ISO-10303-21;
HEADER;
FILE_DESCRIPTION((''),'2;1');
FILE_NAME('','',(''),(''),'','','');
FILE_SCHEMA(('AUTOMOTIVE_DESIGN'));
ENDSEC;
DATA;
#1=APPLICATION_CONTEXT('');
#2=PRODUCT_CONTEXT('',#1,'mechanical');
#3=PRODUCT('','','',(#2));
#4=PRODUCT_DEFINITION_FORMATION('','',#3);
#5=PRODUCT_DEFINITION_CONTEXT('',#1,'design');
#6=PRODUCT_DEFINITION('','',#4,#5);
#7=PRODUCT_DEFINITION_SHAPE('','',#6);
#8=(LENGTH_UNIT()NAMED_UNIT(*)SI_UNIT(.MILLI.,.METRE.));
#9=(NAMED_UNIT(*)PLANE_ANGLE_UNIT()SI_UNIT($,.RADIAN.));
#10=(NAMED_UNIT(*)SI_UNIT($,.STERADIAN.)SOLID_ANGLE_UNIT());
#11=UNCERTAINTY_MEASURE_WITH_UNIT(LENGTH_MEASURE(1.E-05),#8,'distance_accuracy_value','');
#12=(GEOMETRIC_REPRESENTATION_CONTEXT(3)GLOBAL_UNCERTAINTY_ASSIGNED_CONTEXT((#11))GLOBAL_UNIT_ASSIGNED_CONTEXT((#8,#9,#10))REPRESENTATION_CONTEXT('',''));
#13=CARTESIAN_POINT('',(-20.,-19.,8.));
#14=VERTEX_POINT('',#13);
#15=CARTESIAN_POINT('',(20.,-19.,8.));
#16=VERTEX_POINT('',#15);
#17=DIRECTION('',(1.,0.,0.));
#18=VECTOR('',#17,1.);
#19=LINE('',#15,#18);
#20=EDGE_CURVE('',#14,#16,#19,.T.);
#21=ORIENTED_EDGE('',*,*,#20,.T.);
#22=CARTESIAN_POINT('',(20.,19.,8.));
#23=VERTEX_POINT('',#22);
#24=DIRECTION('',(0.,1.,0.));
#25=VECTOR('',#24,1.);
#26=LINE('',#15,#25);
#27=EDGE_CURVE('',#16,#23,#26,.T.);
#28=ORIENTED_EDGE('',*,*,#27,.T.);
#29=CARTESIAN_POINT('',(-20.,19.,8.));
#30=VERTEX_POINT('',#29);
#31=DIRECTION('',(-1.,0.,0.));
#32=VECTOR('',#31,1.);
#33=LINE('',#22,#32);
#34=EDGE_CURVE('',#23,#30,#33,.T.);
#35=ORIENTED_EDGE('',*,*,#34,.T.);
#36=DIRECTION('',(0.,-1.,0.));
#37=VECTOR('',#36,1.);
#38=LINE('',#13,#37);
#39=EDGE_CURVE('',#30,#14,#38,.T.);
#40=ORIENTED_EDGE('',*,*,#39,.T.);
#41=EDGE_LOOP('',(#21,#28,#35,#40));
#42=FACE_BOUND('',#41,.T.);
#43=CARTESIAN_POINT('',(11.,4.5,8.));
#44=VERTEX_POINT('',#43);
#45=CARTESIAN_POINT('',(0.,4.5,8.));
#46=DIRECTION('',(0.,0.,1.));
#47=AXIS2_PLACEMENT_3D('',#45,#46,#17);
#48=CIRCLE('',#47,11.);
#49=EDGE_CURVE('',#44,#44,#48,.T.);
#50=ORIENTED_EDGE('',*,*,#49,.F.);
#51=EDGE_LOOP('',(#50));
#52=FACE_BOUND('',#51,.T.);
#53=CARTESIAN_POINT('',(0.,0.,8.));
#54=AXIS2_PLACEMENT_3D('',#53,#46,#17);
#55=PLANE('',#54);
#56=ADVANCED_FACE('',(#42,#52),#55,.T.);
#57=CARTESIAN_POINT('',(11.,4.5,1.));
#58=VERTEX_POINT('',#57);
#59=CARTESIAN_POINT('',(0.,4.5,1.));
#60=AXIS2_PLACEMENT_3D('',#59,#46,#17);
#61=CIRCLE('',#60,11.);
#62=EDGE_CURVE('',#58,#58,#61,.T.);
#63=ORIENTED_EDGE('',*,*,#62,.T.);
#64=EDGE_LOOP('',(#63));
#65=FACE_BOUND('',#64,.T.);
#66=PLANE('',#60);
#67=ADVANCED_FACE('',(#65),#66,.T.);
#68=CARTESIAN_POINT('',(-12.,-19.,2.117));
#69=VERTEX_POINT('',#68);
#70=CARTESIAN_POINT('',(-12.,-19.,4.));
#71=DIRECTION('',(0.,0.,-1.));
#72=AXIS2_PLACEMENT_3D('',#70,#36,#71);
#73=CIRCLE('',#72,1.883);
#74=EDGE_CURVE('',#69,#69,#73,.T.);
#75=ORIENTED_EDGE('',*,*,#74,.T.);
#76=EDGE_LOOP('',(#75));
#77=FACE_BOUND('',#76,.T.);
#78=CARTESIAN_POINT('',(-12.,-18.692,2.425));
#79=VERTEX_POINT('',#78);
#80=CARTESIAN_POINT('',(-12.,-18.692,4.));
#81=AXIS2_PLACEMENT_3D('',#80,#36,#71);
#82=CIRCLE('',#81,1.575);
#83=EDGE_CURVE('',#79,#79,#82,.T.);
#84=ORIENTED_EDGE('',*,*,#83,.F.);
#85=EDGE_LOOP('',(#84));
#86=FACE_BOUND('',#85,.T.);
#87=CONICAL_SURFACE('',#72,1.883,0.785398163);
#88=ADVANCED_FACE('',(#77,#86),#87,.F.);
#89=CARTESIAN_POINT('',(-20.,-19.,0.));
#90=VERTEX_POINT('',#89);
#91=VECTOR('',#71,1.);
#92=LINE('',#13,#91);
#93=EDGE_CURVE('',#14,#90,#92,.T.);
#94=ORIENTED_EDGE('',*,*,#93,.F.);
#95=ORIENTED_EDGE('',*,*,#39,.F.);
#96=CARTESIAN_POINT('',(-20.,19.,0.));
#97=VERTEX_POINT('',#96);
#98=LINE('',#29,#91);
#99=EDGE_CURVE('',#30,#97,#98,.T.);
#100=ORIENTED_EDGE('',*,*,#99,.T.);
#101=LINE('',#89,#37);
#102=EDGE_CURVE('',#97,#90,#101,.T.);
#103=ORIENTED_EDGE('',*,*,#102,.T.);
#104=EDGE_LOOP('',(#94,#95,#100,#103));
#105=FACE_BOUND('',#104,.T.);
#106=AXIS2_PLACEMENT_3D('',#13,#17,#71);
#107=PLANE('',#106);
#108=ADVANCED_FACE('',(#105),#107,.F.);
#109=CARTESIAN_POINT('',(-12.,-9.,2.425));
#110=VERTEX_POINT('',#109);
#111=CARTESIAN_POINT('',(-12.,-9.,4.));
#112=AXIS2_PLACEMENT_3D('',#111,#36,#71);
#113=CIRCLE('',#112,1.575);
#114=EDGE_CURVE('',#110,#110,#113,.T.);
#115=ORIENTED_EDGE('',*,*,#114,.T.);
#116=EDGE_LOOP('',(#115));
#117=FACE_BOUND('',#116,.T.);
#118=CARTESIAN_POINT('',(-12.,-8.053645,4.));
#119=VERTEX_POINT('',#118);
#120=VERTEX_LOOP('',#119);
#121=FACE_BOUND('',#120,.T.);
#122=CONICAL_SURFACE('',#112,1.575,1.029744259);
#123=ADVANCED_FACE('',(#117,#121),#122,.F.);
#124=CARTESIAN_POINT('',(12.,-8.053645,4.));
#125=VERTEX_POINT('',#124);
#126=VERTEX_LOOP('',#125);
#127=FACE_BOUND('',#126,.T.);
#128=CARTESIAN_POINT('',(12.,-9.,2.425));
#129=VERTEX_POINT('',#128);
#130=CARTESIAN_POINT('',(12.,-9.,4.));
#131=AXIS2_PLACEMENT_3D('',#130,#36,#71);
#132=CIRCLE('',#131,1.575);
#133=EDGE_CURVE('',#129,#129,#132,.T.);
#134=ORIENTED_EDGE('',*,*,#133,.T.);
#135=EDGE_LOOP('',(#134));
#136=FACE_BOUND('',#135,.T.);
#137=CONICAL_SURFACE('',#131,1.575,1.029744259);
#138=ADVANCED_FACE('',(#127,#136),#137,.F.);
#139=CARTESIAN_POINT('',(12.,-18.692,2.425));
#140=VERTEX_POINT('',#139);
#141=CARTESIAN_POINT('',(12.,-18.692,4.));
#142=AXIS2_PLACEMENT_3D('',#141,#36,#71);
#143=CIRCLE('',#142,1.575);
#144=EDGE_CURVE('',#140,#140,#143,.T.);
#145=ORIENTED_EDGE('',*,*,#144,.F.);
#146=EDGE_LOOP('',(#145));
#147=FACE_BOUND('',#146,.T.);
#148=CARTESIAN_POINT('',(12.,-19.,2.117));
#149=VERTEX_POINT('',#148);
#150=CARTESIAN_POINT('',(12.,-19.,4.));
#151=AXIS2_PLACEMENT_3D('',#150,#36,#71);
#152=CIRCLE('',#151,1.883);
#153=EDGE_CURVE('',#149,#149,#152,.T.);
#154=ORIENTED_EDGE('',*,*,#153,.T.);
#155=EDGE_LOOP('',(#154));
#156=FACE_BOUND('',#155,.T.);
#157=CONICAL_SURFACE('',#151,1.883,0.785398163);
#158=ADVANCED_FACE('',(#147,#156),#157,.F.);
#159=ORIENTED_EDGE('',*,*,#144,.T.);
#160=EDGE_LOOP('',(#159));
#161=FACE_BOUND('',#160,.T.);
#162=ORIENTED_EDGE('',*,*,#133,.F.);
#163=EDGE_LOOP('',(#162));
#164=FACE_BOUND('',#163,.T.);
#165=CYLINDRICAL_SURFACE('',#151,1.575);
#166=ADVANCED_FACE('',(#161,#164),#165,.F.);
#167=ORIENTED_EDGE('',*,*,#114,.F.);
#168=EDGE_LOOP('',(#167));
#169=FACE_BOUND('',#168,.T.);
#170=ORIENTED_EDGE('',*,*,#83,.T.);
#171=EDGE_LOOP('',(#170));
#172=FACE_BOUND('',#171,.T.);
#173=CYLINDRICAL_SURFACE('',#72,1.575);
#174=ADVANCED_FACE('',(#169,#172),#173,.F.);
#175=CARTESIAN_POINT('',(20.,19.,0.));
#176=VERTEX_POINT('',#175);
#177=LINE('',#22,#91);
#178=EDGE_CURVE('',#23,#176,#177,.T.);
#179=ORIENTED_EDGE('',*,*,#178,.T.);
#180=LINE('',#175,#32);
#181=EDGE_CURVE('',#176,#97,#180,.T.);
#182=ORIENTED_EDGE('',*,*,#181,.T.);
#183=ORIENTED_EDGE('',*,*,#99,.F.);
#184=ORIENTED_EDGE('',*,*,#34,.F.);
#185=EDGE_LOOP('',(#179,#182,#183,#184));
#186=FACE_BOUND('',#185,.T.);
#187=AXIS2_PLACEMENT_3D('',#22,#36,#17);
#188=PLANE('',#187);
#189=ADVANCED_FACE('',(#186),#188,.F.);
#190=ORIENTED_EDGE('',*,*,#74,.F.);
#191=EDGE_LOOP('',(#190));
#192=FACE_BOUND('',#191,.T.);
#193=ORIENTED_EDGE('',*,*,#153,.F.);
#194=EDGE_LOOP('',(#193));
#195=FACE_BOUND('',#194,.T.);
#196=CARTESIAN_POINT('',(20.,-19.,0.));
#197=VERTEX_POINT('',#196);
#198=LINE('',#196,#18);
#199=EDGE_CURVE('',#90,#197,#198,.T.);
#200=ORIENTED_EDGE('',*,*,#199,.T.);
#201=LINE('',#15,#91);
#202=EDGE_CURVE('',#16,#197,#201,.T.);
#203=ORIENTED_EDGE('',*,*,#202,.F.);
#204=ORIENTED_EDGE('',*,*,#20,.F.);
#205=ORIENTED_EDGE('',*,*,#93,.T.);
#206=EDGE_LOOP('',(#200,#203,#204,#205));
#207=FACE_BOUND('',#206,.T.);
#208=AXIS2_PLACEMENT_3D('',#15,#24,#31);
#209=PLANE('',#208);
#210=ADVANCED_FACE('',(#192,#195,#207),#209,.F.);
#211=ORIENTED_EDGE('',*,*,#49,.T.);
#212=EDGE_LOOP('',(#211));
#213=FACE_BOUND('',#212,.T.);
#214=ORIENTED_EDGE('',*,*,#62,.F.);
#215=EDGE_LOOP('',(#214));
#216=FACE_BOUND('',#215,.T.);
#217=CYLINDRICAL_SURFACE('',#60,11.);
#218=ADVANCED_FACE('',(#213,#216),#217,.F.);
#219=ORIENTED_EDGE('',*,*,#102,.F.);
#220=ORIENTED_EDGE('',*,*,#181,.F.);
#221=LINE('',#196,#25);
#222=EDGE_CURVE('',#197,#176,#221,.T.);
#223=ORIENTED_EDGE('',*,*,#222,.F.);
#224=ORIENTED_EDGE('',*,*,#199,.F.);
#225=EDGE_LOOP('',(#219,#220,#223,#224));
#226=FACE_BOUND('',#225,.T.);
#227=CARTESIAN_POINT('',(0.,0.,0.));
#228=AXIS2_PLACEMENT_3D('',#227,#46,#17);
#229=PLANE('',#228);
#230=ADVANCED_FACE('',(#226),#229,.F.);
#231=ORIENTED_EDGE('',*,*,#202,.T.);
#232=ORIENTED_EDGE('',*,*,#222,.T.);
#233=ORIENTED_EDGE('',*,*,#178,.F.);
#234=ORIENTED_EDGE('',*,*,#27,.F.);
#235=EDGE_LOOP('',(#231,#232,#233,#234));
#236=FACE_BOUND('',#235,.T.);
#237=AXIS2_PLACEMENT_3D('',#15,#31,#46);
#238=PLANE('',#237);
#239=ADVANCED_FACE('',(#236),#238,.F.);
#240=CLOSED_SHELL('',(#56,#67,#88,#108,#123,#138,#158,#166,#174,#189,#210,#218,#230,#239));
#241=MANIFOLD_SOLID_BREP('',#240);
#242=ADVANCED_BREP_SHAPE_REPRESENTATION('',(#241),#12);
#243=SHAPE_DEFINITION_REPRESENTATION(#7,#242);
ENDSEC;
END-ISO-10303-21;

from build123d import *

# Parameters (mm, degrees)
ESBO_O1_W                                         = 40
ESBO_O1_H                                         = 38
RESSALTO_EXTRUS_O1_DEPTH                          = 8
ESBO_O2_R                                         = 11
CORTE_EXTRUS_O1_DEPTH                             = 7
FURO_ROSCADO_PARA_CONDU_TE_DE_M3X0_51_D           = 3.15
FURO_ROSCADO_PARA_CONDU_TE_DE_M3X0_51_DEPTH       = 10
FURO_ROSCADO_PARA_CONDU_TE_DE_M3X0_51_CSINK_D     = 3.766
FURO_ROSCADO_PARA_CONDU_TE_DE_M3X0_51_CSINK_ANGLE = 90
FURO_ROSCADO_PARA_CONDU_TE_DE_M3X0_51_TIP         = 0.946355475


with BuildPart() as part:
    # Esboço1 → Ressalto-extrusão1 (new body)
    with BuildSketch(Plane.XY):
        Rectangle(ESBO_O1_W, ESBO_O1_H)
    extrude(amount=RESSALTO_EXTRUS_O1_DEPTH)

    # Esboço2 → Corte-extrusão1 (cut)
    with BuildSketch(Plane.XY.offset(8)):
        with Locations((0, 4.5)):
            Circle(ESBO_O2_R)
    extrude(amount=-CORTE_EXTRUS_O1_DEPTH, mode=Mode.SUBTRACT)

    # Furo roscado para conduíte de M3x0.51
    with Locations(Plane(origin=(0, -19, 0), x_dir=(-1, 0, 0), z_dir=(0, -1, 0))):
        with Locations((-12, -4), (12, -4)):
            CounterSinkHole(FURO_ROSCADO_PARA_CONDU_TE_DE_M3X0_51_D / 2, FURO_ROSCADO_PARA_CONDU_TE_DE_M3X0_51_CSINK_D / 2, depth=FURO_ROSCADO_PARA_CONDU_TE_DE_M3X0_51_DEPTH, counter_sink_angle=FURO_ROSCADO_PARA_CONDU_TE_DE_M3X0_51_CSINK_ANGLE)
            with Locations((0, 0, -(FURO_ROSCADO_PARA_CONDU_TE_DE_M3X0_51_DEPTH + FURO_ROSCADO_PARA_CONDU_TE_DE_M3X0_51_TIP / 2))):  # 118° drill point
                Cone(0, FURO_ROSCADO_PARA_CONDU_TE_DE_M3X0_51_D / 2, FURO_ROSCADO_PARA_CONDU_TE_DE_M3X0_51_TIP, mode=Mode.SUBTRACT)


solid = part.part
